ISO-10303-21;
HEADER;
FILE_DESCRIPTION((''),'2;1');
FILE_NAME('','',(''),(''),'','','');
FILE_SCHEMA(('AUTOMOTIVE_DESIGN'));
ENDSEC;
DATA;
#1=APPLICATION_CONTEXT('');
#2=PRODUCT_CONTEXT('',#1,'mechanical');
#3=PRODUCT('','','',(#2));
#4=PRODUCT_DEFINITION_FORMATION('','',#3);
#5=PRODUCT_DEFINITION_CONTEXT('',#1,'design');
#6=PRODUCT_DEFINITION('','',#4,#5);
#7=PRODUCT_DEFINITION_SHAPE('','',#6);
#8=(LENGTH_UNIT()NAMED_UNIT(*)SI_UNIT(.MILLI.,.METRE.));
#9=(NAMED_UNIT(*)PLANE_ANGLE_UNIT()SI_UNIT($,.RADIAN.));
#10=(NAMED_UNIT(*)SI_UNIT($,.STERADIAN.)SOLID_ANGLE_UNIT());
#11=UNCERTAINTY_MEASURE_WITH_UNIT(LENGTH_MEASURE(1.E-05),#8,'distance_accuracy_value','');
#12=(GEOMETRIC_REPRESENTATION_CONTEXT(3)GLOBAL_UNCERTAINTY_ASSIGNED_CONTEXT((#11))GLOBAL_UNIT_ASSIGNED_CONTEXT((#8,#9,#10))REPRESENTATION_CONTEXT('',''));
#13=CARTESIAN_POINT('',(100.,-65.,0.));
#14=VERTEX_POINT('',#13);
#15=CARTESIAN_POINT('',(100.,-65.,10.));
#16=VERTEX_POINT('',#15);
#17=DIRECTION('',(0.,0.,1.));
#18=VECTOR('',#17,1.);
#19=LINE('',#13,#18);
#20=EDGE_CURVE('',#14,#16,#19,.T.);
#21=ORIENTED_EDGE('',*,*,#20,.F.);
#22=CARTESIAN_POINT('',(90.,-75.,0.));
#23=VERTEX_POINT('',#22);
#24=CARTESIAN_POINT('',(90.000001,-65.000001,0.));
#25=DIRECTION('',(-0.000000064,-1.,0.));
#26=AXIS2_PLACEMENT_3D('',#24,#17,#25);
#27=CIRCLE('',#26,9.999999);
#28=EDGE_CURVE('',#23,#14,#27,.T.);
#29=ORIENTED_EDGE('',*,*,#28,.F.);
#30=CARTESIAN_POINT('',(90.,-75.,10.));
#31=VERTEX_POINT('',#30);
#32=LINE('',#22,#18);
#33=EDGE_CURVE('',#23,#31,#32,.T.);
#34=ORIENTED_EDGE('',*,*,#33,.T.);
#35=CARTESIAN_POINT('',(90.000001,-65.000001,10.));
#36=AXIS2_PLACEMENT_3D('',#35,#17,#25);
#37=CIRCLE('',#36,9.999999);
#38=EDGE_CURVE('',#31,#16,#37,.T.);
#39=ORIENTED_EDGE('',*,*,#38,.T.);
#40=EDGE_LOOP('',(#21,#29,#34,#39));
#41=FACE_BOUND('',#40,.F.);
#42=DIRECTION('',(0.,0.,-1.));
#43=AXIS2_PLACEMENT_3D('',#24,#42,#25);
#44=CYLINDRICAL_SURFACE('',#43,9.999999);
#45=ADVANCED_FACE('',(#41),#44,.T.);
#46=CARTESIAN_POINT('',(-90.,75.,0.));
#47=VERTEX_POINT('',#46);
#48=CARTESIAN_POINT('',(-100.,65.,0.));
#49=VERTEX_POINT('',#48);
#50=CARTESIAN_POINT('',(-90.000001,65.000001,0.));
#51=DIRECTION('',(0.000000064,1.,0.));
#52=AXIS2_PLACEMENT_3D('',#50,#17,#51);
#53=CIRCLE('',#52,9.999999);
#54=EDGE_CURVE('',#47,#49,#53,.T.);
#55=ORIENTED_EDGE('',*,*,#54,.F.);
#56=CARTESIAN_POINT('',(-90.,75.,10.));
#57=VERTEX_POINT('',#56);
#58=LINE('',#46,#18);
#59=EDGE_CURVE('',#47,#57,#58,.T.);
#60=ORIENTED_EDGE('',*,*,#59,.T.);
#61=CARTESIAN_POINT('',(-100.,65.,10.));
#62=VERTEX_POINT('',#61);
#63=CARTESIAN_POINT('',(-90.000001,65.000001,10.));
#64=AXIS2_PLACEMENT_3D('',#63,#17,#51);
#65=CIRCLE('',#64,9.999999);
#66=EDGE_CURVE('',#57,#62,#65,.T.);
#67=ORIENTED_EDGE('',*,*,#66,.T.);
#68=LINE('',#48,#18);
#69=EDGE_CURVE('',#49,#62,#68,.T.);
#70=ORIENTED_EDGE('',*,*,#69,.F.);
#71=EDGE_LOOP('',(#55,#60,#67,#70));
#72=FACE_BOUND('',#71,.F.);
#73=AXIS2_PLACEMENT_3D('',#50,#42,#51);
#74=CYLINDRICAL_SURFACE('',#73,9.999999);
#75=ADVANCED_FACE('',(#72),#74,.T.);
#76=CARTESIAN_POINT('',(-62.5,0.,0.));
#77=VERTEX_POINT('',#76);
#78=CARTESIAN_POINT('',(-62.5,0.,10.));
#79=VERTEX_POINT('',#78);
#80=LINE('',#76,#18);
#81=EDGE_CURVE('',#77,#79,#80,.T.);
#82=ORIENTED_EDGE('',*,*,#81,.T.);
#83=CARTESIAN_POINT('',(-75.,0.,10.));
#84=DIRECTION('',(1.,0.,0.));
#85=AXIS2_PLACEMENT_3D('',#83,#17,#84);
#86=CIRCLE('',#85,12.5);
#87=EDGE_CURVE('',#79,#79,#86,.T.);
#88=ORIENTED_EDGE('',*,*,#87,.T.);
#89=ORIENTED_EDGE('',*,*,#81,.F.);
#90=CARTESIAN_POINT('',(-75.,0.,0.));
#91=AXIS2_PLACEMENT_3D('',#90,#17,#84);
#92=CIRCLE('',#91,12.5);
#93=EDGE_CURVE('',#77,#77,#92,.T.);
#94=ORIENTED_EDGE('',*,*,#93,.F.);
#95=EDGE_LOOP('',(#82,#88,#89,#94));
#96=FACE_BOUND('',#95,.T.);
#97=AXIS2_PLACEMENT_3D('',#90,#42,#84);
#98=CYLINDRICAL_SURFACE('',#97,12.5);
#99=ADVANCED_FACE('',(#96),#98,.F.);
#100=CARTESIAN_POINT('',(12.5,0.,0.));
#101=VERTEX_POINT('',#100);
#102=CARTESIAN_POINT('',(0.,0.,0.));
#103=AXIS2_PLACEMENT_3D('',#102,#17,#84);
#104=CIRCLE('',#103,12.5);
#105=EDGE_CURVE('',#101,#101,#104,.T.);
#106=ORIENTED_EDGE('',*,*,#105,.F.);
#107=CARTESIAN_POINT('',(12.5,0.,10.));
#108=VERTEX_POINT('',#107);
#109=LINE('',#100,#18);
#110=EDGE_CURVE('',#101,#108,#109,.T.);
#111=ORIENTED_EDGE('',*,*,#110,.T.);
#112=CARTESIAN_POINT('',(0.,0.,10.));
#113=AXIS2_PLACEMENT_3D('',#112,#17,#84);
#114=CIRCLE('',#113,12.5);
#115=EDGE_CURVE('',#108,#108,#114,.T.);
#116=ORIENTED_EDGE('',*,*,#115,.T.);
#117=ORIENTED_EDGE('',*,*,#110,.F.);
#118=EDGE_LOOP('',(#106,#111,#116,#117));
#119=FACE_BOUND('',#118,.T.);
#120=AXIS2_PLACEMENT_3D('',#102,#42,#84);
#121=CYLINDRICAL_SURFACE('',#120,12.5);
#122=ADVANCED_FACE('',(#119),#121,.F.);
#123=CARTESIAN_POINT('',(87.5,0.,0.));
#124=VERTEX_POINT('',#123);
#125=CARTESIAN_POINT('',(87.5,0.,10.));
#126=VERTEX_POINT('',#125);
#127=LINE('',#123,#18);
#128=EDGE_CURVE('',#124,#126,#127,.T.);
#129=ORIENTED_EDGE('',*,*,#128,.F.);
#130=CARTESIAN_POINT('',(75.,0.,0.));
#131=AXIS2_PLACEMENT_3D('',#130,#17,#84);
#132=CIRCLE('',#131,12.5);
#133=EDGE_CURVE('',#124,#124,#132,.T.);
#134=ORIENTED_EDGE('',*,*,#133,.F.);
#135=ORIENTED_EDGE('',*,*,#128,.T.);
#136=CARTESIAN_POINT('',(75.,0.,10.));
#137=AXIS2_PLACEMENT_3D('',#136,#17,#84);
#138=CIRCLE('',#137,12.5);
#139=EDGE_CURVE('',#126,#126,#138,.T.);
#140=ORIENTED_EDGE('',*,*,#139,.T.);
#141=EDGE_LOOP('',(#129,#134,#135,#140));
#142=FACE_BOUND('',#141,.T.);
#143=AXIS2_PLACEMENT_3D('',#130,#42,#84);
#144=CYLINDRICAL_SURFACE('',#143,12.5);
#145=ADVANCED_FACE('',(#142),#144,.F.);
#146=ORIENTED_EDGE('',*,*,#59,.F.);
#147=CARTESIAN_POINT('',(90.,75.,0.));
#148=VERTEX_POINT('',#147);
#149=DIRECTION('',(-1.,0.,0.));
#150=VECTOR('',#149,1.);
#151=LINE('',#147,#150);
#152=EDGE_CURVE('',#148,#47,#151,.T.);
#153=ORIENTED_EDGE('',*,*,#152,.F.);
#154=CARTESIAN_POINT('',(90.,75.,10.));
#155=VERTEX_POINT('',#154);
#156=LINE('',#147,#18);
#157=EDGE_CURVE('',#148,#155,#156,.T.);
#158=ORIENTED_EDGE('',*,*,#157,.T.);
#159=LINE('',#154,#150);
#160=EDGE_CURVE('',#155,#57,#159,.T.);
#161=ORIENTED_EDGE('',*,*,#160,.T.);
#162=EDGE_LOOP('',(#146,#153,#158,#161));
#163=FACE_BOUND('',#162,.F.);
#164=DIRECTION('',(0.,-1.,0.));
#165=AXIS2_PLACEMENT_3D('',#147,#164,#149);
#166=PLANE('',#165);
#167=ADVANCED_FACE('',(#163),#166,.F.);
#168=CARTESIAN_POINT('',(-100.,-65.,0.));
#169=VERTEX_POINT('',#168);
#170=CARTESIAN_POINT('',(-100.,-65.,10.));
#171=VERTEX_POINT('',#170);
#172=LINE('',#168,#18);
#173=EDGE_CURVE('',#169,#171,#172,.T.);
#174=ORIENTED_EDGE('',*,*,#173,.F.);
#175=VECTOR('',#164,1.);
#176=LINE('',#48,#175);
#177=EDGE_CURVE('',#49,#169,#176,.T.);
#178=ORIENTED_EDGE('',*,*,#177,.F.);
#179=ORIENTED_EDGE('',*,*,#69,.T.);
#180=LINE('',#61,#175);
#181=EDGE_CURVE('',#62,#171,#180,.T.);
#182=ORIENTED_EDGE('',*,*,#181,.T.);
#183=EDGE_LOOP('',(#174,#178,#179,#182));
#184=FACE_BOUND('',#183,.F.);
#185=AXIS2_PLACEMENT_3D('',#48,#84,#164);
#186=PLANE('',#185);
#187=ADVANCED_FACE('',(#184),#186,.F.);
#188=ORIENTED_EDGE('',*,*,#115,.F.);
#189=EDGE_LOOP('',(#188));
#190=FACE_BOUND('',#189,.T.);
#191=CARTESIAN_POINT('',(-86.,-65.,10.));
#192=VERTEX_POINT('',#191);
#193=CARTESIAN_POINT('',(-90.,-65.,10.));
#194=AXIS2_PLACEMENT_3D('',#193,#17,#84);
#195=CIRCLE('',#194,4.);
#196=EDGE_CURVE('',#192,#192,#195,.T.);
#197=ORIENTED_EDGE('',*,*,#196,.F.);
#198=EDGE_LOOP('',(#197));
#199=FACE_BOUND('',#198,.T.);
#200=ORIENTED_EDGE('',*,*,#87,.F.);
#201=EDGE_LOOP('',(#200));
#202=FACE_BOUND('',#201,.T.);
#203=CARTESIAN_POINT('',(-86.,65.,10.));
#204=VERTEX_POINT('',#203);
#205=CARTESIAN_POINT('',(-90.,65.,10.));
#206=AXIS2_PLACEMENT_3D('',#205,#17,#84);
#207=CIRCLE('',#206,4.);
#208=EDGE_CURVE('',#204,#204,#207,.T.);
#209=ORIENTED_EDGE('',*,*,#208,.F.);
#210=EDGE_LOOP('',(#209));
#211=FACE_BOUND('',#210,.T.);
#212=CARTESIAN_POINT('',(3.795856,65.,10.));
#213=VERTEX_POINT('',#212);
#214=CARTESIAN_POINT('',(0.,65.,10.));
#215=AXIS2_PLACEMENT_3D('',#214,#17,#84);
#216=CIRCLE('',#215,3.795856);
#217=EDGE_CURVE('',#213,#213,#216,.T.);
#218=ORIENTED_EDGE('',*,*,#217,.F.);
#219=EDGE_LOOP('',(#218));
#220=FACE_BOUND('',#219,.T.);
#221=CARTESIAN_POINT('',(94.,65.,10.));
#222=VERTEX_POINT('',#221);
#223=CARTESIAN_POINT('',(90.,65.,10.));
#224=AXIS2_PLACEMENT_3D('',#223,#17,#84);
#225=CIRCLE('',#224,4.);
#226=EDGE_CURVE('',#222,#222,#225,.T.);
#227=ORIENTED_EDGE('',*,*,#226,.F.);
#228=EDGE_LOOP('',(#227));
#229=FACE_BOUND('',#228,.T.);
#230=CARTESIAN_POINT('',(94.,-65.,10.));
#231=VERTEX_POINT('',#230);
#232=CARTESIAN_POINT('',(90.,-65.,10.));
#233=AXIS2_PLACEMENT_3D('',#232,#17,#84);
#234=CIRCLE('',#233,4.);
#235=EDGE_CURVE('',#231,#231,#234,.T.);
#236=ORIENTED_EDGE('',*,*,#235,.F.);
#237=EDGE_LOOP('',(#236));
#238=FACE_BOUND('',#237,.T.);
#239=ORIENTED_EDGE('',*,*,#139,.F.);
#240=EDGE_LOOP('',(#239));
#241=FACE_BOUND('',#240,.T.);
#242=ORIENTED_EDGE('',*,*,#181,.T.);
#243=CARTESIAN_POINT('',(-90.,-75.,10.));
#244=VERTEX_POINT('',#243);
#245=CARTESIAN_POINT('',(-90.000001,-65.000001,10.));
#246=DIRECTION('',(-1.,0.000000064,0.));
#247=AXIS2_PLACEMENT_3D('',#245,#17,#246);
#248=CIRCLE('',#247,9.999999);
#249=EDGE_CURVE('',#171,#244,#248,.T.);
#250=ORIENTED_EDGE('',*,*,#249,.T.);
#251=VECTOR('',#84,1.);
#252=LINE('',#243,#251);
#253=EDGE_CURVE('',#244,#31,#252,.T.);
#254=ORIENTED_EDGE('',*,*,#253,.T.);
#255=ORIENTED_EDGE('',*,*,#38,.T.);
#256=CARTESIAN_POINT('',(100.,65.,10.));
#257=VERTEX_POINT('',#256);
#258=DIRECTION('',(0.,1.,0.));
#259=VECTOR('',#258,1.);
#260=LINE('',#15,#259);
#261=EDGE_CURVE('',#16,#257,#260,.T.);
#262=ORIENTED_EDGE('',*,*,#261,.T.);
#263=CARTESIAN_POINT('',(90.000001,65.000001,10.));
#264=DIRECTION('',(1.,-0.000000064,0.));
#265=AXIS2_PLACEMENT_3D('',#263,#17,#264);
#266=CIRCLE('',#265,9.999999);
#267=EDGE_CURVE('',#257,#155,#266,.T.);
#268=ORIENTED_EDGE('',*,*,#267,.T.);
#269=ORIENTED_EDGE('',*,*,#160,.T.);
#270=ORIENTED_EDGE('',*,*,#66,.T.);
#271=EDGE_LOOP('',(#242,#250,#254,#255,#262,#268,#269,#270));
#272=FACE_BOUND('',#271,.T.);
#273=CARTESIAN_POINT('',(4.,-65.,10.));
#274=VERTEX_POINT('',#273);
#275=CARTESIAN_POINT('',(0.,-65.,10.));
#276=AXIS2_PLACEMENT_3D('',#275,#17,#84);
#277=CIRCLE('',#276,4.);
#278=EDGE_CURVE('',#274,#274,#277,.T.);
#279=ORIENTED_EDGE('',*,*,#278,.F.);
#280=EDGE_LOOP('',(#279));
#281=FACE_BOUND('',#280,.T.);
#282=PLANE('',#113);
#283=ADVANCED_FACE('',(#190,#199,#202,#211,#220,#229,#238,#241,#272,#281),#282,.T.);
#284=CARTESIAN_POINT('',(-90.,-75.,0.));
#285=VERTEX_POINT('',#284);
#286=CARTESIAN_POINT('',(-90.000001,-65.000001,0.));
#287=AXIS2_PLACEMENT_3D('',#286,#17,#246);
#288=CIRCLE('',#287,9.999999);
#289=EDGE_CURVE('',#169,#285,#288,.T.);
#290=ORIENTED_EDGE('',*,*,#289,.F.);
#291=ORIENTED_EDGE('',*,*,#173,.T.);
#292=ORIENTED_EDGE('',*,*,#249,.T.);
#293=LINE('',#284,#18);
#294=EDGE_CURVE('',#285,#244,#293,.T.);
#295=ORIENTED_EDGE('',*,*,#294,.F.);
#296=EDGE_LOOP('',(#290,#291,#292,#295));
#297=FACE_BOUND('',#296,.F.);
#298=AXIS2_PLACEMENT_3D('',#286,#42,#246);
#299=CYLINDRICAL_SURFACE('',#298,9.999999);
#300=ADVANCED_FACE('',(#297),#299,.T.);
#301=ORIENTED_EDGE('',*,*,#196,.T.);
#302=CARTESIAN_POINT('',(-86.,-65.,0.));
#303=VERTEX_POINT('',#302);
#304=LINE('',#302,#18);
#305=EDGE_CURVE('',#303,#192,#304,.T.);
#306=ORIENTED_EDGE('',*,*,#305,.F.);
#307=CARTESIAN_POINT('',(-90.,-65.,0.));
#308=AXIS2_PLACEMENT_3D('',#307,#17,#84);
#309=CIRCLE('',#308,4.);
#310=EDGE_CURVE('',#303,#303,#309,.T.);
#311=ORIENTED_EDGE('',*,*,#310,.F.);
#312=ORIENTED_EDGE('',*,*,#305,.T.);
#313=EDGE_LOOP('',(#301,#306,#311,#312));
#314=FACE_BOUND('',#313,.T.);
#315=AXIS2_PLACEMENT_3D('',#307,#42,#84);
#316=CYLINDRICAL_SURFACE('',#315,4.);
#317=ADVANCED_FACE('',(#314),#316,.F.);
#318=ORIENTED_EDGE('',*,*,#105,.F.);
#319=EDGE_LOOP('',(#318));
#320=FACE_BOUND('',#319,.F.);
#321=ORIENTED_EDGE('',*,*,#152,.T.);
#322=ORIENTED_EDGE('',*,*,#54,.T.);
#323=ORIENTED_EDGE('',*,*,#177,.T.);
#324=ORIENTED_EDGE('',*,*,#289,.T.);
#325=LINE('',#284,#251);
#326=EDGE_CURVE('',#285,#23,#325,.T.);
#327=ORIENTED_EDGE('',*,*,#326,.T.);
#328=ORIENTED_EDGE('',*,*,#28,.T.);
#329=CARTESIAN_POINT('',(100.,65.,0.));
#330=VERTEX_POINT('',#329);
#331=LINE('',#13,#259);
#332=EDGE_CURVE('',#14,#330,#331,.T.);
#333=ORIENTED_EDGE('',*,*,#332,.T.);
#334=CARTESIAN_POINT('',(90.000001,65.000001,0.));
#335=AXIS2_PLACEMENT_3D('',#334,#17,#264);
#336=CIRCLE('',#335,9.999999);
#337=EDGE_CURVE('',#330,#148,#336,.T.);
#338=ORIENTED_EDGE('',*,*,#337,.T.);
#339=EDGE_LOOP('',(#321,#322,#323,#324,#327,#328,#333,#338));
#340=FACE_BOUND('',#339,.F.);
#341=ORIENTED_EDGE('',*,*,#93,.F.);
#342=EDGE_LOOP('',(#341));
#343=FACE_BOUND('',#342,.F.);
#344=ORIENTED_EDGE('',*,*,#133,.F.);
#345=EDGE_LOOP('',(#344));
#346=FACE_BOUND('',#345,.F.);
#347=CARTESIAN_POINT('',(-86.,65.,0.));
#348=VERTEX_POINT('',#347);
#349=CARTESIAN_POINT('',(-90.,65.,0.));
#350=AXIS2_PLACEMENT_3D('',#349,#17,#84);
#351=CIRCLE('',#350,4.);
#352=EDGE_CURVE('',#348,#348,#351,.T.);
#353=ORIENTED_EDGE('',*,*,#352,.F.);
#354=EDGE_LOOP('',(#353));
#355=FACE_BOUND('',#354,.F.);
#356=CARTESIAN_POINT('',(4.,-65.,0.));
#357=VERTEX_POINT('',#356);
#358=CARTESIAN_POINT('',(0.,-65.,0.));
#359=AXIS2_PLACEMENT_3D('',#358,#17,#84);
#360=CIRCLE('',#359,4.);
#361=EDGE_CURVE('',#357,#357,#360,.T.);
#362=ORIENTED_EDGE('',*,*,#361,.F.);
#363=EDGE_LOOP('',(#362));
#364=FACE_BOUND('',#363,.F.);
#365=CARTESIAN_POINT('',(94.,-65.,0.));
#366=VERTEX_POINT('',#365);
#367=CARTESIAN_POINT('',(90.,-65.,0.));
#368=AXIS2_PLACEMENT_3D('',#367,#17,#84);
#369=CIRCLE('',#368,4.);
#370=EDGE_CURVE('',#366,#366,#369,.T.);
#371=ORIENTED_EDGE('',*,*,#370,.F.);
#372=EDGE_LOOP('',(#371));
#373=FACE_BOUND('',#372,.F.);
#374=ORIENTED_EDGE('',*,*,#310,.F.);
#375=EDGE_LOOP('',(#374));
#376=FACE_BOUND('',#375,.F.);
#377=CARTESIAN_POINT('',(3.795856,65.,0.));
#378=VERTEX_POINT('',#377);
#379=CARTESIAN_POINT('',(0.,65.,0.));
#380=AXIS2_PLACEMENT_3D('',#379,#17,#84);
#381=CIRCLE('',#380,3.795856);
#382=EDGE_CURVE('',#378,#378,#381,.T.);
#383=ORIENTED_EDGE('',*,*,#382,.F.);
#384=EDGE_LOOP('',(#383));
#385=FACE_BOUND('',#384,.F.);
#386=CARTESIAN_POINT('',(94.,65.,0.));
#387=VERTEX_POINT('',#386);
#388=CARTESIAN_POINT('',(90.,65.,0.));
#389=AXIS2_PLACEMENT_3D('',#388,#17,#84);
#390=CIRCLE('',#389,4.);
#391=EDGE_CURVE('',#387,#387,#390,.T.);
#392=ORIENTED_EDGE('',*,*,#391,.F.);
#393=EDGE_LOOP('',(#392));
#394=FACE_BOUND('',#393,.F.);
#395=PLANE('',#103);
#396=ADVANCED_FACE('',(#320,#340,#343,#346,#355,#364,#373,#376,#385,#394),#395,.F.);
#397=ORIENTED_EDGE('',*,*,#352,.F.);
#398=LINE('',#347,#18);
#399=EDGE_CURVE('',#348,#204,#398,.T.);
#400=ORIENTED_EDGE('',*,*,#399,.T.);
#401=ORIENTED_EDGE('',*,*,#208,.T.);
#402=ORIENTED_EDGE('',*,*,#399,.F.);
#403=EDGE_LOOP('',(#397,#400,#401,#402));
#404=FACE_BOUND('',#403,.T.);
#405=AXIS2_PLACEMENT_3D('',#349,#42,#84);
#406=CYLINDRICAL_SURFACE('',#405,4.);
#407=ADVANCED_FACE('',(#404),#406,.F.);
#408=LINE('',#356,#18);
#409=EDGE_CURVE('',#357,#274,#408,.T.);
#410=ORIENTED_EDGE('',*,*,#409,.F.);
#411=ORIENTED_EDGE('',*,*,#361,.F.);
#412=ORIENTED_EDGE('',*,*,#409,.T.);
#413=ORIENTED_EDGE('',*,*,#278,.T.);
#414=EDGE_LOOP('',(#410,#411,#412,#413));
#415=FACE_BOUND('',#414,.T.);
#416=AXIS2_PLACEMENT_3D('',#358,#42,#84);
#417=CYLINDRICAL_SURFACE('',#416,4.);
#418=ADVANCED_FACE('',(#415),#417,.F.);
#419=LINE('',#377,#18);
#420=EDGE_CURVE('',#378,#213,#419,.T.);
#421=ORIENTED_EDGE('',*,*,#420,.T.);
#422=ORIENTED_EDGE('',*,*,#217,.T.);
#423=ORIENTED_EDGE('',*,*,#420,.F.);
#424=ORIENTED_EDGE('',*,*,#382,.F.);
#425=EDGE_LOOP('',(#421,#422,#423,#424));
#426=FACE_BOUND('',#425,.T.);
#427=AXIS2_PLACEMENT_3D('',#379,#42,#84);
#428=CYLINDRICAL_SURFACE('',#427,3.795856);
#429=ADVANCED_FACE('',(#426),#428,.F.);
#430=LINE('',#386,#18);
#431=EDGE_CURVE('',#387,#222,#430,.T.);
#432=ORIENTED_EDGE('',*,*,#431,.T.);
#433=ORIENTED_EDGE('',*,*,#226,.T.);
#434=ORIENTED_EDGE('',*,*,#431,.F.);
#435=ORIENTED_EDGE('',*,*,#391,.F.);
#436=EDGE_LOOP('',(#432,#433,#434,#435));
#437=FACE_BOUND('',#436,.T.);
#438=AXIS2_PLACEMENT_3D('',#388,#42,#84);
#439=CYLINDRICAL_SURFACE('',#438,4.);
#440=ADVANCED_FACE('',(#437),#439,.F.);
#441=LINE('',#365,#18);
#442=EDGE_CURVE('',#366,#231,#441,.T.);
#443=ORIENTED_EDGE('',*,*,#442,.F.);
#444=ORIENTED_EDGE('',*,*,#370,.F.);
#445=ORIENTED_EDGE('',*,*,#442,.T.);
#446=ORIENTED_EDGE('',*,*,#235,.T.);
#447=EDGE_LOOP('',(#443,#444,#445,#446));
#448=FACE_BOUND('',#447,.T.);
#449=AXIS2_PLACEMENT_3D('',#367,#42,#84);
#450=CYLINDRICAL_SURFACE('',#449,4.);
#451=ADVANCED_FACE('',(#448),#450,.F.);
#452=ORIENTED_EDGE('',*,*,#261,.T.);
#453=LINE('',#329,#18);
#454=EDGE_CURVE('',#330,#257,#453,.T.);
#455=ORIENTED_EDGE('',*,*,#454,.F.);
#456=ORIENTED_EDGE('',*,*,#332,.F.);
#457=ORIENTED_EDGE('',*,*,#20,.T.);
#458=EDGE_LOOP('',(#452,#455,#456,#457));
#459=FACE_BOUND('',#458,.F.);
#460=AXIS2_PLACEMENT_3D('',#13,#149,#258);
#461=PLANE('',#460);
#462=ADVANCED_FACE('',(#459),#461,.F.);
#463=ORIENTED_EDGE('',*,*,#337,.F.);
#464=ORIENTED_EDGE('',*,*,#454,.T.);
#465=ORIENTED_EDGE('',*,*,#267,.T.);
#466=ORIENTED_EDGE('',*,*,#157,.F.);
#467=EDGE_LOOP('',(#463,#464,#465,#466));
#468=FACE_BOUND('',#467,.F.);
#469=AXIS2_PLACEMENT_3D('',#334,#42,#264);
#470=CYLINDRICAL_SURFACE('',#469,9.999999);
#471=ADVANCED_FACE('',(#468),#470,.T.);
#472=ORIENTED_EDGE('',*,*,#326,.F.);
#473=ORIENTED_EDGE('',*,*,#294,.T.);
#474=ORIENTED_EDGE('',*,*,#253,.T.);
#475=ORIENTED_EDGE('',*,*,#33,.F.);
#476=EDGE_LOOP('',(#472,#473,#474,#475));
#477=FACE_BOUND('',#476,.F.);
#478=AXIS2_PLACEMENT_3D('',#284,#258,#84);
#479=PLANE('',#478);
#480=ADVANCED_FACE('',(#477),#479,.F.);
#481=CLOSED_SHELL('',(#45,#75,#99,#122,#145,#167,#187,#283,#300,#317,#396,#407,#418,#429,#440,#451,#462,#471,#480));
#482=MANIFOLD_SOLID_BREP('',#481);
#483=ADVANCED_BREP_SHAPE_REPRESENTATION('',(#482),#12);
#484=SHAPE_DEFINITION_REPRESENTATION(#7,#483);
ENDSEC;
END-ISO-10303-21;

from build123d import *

# Parameters (mm, degrees)
F0_R     = 4
F0_R_2   = 12.5
F0_R_3   = 3.795856
F1_DEPTH = 10


with BuildPart() as f1:
    # F0 (on Top) → F1 (new body)
    with BuildSketch(Plane.XY):
        with BuildLine():
            ThreePointArc((100, 65), (97.071068, 72.071068), (90, 75))
            Line((90, 75), (-90, 75))
            ThreePointArc((-90, 75), (-97.071068, 72.071068), (-100, 65))
            Line((-100, 65), (-100, -65))
            ThreePointArc((-100, -65), (-97.071068, -72.071068), (-90, -75))
            Line((-90, -75), (90, -75))
            ThreePointArc((90, -75), (97.071068, -72.071068), (100, -65))
            Line((100, -65), (100, 65))
        make_face()
        with Locations((-90, -65)):
            Circle(F0_R, mode=Mode.SUBTRACT)
        with Locations((0, -65)):
            Circle(F0_R, mode=Mode.SUBTRACT)
        with Locations((90, -65)):
            Circle(F0_R, mode=Mode.SUBTRACT)
        with Locations((-75, 0)):
            Circle(F0_R_2, mode=Mode.SUBTRACT)
        with Locations((-90, 65)):
            Circle(F0_R, mode=Mode.SUBTRACT)
        Circle(F0_R_2, mode=Mode.SUBTRACT)
        with Locations((75, 0)):
            Circle(F0_R_2, mode=Mode.SUBTRACT)
        with Locations((0, 65)):
            Circle(F0_R_3, mode=Mode.SUBTRACT)
        with Locations((90, 65)):
            Circle(F0_R, mode=Mode.SUBTRACT)
    extrude(amount=F1_DEPTH)


solid = f1.part
